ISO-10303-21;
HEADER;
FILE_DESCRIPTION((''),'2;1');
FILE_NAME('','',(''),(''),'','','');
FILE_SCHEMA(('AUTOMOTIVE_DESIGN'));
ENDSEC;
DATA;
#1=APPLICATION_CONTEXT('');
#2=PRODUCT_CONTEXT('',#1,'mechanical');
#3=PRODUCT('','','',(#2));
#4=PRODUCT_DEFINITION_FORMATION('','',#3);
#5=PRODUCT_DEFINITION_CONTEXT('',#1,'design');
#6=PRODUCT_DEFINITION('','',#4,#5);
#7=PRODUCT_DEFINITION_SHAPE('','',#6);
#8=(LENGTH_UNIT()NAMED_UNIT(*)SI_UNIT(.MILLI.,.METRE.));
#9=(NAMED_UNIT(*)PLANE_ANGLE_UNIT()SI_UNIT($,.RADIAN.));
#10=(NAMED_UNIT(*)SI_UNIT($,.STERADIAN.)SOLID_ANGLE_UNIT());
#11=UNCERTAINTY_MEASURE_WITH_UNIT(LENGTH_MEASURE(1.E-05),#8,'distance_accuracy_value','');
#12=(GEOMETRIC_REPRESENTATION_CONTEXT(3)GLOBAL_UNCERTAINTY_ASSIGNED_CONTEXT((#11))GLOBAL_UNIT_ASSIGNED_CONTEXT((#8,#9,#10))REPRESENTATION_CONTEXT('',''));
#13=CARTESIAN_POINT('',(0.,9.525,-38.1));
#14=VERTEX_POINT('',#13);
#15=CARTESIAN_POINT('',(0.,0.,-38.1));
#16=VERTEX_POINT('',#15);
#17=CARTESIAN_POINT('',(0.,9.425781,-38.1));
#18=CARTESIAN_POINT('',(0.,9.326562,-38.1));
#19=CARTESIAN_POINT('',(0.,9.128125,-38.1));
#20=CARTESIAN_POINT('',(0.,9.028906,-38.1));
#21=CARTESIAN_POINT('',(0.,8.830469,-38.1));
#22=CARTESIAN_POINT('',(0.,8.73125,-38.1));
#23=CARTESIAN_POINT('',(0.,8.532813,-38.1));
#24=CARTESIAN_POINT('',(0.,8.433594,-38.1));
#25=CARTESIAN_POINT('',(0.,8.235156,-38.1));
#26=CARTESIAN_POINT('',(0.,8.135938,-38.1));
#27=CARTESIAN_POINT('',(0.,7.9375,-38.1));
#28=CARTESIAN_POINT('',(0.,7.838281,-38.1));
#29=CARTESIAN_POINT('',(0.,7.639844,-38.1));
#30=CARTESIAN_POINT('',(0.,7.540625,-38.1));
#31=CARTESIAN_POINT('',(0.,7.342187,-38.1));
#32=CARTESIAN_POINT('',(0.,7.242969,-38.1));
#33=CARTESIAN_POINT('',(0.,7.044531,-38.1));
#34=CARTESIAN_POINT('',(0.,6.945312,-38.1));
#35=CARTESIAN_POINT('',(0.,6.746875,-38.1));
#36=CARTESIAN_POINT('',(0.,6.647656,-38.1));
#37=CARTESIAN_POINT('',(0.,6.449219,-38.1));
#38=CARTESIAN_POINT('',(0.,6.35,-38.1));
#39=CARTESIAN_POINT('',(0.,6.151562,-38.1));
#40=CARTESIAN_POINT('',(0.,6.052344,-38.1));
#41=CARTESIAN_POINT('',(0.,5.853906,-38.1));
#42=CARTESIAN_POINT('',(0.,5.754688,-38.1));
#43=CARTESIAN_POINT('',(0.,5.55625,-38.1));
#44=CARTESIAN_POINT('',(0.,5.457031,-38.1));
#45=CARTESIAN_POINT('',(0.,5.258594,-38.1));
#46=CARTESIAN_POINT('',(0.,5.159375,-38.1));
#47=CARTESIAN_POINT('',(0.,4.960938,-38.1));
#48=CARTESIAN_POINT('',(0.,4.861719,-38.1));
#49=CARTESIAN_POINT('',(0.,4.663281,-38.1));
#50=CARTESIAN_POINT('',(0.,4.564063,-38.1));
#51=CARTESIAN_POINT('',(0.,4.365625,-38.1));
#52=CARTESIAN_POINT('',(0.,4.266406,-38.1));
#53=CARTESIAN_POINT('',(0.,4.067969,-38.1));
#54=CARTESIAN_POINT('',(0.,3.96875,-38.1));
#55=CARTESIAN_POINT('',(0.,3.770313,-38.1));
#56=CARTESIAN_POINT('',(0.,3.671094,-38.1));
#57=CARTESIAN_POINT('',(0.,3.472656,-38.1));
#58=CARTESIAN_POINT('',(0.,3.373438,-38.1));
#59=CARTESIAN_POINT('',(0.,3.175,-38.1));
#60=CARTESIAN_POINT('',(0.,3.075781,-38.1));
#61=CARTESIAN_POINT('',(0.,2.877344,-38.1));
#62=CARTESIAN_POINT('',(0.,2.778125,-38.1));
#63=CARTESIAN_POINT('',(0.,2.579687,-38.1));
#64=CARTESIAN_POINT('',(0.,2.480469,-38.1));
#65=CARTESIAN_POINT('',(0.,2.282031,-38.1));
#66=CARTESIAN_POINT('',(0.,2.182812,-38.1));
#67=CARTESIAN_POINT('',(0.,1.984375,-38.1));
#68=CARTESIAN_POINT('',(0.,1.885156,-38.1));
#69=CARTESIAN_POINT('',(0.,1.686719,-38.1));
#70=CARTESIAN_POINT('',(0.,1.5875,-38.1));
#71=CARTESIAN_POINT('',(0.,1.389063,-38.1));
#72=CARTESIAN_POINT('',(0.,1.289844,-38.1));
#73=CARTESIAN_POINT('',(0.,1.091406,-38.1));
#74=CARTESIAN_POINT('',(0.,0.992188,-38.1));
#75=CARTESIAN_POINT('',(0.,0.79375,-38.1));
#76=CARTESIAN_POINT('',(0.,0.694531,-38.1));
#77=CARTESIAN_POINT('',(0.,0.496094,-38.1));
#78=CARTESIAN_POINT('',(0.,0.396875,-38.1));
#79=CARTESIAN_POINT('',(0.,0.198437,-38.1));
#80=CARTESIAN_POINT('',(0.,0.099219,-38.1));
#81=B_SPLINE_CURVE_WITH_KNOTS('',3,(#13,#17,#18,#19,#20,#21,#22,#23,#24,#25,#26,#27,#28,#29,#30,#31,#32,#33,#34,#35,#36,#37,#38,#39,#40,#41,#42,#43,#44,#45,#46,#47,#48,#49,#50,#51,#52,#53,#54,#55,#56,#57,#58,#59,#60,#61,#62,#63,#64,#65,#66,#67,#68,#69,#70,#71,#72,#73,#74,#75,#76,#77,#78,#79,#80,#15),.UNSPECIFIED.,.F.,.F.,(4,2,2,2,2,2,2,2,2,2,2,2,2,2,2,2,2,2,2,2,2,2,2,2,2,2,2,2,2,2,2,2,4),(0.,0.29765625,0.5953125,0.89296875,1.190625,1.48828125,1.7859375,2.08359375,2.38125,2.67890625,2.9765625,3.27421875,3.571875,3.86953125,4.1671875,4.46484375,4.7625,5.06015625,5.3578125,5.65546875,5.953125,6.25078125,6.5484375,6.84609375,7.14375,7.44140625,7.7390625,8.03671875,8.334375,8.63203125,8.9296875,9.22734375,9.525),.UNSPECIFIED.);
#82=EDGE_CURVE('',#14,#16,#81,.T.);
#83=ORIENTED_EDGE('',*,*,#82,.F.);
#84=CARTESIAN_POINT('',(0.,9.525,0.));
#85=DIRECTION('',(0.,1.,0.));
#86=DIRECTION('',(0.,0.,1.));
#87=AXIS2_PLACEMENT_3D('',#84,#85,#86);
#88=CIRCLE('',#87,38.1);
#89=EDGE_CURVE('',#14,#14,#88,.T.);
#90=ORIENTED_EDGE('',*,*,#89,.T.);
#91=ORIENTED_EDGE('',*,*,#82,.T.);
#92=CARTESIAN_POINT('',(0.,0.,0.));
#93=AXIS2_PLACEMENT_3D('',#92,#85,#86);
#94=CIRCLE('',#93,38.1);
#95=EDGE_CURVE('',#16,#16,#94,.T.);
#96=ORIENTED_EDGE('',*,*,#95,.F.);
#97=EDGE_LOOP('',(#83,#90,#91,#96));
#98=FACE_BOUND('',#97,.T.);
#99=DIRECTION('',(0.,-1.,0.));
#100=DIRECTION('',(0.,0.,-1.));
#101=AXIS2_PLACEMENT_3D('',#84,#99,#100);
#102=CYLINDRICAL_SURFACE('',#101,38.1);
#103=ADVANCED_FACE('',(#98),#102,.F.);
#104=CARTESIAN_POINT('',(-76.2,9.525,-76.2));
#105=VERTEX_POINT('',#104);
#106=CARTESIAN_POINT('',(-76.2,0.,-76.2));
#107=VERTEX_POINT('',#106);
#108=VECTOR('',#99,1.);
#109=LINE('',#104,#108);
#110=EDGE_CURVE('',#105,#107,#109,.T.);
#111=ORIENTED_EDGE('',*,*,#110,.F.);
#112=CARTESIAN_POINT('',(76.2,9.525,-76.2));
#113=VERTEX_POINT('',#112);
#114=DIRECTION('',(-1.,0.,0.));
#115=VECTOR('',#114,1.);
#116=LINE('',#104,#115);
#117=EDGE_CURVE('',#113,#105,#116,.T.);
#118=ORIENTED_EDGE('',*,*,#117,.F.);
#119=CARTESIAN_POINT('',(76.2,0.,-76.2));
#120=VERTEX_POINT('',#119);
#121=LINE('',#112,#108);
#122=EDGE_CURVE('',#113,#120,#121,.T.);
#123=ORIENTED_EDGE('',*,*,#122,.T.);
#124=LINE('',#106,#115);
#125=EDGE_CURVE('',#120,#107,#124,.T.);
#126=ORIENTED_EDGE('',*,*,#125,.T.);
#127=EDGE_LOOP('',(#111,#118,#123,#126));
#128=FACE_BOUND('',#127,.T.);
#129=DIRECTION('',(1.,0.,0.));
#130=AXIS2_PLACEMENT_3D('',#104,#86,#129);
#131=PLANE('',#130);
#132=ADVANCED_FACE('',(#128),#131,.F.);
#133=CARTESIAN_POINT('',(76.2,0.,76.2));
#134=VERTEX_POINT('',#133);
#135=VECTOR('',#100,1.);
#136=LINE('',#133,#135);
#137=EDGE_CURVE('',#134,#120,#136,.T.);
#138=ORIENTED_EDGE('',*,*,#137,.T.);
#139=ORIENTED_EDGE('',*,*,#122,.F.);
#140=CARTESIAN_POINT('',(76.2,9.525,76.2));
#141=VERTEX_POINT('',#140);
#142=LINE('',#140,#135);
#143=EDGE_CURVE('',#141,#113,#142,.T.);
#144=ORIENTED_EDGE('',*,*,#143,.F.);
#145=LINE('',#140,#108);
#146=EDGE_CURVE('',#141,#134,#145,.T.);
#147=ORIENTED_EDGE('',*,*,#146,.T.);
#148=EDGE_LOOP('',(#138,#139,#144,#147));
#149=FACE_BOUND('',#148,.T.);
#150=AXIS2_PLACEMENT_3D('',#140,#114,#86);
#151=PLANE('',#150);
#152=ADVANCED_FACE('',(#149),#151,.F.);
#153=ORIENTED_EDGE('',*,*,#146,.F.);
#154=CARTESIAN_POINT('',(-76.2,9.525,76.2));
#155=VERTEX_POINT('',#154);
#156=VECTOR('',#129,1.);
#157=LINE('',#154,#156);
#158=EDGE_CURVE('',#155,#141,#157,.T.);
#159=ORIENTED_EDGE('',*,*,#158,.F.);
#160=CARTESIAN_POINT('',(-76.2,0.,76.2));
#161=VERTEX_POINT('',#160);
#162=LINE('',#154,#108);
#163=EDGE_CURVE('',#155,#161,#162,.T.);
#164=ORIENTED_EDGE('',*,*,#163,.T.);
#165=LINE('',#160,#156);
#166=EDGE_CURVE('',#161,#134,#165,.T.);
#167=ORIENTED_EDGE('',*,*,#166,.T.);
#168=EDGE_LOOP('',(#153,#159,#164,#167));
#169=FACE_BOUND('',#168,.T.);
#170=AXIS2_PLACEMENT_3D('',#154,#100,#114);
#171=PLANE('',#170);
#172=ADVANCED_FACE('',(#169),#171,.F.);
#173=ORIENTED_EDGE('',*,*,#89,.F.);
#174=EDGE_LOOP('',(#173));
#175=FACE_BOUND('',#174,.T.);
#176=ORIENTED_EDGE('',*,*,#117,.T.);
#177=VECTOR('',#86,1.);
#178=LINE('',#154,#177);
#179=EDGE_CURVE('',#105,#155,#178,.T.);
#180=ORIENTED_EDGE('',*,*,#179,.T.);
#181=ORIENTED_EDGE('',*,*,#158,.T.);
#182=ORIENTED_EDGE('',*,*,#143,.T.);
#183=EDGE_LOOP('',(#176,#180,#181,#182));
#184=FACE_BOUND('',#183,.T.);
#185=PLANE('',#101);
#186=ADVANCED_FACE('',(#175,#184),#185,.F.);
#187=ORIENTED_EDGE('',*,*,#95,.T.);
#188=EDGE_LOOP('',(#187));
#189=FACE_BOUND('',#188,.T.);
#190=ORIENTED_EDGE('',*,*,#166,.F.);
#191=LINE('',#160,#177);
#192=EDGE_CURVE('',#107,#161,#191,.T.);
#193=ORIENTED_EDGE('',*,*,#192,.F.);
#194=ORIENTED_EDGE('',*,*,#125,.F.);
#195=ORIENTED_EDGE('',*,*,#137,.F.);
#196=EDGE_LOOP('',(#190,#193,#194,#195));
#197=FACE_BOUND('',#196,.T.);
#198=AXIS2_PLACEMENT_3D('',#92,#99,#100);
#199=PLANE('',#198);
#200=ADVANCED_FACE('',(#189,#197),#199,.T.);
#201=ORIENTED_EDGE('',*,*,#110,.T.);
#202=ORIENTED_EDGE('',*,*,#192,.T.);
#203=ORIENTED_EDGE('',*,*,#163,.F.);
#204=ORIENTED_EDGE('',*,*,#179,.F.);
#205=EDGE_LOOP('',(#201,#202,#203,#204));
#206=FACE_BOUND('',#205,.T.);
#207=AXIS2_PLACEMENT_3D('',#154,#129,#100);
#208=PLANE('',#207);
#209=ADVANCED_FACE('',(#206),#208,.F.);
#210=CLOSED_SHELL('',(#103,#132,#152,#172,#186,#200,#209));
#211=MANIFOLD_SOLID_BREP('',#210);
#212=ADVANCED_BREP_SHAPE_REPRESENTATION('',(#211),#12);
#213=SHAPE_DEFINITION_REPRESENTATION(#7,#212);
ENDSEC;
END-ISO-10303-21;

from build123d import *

# Parameters (mm, degrees)
SKETCH1_W           = 152.4
SKETCH1_H           = 152.4
SKETCH1_R           = 38.1
BOSS_EXTRUDE1_DEPTH = 9.525


with BuildPart() as part:
    # Sketch1 → Boss-Extrude1 (new body)
    with BuildSketch(Plane(origin=(0, 0, 0), x_dir=(1, 0, 0), z_dir=(0, 1, 0))):
        Rectangle(SKETCH1_W, SKETCH1_H)
        with Locations(Location((0, 0, 0), (0, 0, 90))):
            Circle(SKETCH1_R, mode=Mode.SUBTRACT)
    extrude(amount=BOSS_EXTRUDE1_DEPTH)


solid = part.part
